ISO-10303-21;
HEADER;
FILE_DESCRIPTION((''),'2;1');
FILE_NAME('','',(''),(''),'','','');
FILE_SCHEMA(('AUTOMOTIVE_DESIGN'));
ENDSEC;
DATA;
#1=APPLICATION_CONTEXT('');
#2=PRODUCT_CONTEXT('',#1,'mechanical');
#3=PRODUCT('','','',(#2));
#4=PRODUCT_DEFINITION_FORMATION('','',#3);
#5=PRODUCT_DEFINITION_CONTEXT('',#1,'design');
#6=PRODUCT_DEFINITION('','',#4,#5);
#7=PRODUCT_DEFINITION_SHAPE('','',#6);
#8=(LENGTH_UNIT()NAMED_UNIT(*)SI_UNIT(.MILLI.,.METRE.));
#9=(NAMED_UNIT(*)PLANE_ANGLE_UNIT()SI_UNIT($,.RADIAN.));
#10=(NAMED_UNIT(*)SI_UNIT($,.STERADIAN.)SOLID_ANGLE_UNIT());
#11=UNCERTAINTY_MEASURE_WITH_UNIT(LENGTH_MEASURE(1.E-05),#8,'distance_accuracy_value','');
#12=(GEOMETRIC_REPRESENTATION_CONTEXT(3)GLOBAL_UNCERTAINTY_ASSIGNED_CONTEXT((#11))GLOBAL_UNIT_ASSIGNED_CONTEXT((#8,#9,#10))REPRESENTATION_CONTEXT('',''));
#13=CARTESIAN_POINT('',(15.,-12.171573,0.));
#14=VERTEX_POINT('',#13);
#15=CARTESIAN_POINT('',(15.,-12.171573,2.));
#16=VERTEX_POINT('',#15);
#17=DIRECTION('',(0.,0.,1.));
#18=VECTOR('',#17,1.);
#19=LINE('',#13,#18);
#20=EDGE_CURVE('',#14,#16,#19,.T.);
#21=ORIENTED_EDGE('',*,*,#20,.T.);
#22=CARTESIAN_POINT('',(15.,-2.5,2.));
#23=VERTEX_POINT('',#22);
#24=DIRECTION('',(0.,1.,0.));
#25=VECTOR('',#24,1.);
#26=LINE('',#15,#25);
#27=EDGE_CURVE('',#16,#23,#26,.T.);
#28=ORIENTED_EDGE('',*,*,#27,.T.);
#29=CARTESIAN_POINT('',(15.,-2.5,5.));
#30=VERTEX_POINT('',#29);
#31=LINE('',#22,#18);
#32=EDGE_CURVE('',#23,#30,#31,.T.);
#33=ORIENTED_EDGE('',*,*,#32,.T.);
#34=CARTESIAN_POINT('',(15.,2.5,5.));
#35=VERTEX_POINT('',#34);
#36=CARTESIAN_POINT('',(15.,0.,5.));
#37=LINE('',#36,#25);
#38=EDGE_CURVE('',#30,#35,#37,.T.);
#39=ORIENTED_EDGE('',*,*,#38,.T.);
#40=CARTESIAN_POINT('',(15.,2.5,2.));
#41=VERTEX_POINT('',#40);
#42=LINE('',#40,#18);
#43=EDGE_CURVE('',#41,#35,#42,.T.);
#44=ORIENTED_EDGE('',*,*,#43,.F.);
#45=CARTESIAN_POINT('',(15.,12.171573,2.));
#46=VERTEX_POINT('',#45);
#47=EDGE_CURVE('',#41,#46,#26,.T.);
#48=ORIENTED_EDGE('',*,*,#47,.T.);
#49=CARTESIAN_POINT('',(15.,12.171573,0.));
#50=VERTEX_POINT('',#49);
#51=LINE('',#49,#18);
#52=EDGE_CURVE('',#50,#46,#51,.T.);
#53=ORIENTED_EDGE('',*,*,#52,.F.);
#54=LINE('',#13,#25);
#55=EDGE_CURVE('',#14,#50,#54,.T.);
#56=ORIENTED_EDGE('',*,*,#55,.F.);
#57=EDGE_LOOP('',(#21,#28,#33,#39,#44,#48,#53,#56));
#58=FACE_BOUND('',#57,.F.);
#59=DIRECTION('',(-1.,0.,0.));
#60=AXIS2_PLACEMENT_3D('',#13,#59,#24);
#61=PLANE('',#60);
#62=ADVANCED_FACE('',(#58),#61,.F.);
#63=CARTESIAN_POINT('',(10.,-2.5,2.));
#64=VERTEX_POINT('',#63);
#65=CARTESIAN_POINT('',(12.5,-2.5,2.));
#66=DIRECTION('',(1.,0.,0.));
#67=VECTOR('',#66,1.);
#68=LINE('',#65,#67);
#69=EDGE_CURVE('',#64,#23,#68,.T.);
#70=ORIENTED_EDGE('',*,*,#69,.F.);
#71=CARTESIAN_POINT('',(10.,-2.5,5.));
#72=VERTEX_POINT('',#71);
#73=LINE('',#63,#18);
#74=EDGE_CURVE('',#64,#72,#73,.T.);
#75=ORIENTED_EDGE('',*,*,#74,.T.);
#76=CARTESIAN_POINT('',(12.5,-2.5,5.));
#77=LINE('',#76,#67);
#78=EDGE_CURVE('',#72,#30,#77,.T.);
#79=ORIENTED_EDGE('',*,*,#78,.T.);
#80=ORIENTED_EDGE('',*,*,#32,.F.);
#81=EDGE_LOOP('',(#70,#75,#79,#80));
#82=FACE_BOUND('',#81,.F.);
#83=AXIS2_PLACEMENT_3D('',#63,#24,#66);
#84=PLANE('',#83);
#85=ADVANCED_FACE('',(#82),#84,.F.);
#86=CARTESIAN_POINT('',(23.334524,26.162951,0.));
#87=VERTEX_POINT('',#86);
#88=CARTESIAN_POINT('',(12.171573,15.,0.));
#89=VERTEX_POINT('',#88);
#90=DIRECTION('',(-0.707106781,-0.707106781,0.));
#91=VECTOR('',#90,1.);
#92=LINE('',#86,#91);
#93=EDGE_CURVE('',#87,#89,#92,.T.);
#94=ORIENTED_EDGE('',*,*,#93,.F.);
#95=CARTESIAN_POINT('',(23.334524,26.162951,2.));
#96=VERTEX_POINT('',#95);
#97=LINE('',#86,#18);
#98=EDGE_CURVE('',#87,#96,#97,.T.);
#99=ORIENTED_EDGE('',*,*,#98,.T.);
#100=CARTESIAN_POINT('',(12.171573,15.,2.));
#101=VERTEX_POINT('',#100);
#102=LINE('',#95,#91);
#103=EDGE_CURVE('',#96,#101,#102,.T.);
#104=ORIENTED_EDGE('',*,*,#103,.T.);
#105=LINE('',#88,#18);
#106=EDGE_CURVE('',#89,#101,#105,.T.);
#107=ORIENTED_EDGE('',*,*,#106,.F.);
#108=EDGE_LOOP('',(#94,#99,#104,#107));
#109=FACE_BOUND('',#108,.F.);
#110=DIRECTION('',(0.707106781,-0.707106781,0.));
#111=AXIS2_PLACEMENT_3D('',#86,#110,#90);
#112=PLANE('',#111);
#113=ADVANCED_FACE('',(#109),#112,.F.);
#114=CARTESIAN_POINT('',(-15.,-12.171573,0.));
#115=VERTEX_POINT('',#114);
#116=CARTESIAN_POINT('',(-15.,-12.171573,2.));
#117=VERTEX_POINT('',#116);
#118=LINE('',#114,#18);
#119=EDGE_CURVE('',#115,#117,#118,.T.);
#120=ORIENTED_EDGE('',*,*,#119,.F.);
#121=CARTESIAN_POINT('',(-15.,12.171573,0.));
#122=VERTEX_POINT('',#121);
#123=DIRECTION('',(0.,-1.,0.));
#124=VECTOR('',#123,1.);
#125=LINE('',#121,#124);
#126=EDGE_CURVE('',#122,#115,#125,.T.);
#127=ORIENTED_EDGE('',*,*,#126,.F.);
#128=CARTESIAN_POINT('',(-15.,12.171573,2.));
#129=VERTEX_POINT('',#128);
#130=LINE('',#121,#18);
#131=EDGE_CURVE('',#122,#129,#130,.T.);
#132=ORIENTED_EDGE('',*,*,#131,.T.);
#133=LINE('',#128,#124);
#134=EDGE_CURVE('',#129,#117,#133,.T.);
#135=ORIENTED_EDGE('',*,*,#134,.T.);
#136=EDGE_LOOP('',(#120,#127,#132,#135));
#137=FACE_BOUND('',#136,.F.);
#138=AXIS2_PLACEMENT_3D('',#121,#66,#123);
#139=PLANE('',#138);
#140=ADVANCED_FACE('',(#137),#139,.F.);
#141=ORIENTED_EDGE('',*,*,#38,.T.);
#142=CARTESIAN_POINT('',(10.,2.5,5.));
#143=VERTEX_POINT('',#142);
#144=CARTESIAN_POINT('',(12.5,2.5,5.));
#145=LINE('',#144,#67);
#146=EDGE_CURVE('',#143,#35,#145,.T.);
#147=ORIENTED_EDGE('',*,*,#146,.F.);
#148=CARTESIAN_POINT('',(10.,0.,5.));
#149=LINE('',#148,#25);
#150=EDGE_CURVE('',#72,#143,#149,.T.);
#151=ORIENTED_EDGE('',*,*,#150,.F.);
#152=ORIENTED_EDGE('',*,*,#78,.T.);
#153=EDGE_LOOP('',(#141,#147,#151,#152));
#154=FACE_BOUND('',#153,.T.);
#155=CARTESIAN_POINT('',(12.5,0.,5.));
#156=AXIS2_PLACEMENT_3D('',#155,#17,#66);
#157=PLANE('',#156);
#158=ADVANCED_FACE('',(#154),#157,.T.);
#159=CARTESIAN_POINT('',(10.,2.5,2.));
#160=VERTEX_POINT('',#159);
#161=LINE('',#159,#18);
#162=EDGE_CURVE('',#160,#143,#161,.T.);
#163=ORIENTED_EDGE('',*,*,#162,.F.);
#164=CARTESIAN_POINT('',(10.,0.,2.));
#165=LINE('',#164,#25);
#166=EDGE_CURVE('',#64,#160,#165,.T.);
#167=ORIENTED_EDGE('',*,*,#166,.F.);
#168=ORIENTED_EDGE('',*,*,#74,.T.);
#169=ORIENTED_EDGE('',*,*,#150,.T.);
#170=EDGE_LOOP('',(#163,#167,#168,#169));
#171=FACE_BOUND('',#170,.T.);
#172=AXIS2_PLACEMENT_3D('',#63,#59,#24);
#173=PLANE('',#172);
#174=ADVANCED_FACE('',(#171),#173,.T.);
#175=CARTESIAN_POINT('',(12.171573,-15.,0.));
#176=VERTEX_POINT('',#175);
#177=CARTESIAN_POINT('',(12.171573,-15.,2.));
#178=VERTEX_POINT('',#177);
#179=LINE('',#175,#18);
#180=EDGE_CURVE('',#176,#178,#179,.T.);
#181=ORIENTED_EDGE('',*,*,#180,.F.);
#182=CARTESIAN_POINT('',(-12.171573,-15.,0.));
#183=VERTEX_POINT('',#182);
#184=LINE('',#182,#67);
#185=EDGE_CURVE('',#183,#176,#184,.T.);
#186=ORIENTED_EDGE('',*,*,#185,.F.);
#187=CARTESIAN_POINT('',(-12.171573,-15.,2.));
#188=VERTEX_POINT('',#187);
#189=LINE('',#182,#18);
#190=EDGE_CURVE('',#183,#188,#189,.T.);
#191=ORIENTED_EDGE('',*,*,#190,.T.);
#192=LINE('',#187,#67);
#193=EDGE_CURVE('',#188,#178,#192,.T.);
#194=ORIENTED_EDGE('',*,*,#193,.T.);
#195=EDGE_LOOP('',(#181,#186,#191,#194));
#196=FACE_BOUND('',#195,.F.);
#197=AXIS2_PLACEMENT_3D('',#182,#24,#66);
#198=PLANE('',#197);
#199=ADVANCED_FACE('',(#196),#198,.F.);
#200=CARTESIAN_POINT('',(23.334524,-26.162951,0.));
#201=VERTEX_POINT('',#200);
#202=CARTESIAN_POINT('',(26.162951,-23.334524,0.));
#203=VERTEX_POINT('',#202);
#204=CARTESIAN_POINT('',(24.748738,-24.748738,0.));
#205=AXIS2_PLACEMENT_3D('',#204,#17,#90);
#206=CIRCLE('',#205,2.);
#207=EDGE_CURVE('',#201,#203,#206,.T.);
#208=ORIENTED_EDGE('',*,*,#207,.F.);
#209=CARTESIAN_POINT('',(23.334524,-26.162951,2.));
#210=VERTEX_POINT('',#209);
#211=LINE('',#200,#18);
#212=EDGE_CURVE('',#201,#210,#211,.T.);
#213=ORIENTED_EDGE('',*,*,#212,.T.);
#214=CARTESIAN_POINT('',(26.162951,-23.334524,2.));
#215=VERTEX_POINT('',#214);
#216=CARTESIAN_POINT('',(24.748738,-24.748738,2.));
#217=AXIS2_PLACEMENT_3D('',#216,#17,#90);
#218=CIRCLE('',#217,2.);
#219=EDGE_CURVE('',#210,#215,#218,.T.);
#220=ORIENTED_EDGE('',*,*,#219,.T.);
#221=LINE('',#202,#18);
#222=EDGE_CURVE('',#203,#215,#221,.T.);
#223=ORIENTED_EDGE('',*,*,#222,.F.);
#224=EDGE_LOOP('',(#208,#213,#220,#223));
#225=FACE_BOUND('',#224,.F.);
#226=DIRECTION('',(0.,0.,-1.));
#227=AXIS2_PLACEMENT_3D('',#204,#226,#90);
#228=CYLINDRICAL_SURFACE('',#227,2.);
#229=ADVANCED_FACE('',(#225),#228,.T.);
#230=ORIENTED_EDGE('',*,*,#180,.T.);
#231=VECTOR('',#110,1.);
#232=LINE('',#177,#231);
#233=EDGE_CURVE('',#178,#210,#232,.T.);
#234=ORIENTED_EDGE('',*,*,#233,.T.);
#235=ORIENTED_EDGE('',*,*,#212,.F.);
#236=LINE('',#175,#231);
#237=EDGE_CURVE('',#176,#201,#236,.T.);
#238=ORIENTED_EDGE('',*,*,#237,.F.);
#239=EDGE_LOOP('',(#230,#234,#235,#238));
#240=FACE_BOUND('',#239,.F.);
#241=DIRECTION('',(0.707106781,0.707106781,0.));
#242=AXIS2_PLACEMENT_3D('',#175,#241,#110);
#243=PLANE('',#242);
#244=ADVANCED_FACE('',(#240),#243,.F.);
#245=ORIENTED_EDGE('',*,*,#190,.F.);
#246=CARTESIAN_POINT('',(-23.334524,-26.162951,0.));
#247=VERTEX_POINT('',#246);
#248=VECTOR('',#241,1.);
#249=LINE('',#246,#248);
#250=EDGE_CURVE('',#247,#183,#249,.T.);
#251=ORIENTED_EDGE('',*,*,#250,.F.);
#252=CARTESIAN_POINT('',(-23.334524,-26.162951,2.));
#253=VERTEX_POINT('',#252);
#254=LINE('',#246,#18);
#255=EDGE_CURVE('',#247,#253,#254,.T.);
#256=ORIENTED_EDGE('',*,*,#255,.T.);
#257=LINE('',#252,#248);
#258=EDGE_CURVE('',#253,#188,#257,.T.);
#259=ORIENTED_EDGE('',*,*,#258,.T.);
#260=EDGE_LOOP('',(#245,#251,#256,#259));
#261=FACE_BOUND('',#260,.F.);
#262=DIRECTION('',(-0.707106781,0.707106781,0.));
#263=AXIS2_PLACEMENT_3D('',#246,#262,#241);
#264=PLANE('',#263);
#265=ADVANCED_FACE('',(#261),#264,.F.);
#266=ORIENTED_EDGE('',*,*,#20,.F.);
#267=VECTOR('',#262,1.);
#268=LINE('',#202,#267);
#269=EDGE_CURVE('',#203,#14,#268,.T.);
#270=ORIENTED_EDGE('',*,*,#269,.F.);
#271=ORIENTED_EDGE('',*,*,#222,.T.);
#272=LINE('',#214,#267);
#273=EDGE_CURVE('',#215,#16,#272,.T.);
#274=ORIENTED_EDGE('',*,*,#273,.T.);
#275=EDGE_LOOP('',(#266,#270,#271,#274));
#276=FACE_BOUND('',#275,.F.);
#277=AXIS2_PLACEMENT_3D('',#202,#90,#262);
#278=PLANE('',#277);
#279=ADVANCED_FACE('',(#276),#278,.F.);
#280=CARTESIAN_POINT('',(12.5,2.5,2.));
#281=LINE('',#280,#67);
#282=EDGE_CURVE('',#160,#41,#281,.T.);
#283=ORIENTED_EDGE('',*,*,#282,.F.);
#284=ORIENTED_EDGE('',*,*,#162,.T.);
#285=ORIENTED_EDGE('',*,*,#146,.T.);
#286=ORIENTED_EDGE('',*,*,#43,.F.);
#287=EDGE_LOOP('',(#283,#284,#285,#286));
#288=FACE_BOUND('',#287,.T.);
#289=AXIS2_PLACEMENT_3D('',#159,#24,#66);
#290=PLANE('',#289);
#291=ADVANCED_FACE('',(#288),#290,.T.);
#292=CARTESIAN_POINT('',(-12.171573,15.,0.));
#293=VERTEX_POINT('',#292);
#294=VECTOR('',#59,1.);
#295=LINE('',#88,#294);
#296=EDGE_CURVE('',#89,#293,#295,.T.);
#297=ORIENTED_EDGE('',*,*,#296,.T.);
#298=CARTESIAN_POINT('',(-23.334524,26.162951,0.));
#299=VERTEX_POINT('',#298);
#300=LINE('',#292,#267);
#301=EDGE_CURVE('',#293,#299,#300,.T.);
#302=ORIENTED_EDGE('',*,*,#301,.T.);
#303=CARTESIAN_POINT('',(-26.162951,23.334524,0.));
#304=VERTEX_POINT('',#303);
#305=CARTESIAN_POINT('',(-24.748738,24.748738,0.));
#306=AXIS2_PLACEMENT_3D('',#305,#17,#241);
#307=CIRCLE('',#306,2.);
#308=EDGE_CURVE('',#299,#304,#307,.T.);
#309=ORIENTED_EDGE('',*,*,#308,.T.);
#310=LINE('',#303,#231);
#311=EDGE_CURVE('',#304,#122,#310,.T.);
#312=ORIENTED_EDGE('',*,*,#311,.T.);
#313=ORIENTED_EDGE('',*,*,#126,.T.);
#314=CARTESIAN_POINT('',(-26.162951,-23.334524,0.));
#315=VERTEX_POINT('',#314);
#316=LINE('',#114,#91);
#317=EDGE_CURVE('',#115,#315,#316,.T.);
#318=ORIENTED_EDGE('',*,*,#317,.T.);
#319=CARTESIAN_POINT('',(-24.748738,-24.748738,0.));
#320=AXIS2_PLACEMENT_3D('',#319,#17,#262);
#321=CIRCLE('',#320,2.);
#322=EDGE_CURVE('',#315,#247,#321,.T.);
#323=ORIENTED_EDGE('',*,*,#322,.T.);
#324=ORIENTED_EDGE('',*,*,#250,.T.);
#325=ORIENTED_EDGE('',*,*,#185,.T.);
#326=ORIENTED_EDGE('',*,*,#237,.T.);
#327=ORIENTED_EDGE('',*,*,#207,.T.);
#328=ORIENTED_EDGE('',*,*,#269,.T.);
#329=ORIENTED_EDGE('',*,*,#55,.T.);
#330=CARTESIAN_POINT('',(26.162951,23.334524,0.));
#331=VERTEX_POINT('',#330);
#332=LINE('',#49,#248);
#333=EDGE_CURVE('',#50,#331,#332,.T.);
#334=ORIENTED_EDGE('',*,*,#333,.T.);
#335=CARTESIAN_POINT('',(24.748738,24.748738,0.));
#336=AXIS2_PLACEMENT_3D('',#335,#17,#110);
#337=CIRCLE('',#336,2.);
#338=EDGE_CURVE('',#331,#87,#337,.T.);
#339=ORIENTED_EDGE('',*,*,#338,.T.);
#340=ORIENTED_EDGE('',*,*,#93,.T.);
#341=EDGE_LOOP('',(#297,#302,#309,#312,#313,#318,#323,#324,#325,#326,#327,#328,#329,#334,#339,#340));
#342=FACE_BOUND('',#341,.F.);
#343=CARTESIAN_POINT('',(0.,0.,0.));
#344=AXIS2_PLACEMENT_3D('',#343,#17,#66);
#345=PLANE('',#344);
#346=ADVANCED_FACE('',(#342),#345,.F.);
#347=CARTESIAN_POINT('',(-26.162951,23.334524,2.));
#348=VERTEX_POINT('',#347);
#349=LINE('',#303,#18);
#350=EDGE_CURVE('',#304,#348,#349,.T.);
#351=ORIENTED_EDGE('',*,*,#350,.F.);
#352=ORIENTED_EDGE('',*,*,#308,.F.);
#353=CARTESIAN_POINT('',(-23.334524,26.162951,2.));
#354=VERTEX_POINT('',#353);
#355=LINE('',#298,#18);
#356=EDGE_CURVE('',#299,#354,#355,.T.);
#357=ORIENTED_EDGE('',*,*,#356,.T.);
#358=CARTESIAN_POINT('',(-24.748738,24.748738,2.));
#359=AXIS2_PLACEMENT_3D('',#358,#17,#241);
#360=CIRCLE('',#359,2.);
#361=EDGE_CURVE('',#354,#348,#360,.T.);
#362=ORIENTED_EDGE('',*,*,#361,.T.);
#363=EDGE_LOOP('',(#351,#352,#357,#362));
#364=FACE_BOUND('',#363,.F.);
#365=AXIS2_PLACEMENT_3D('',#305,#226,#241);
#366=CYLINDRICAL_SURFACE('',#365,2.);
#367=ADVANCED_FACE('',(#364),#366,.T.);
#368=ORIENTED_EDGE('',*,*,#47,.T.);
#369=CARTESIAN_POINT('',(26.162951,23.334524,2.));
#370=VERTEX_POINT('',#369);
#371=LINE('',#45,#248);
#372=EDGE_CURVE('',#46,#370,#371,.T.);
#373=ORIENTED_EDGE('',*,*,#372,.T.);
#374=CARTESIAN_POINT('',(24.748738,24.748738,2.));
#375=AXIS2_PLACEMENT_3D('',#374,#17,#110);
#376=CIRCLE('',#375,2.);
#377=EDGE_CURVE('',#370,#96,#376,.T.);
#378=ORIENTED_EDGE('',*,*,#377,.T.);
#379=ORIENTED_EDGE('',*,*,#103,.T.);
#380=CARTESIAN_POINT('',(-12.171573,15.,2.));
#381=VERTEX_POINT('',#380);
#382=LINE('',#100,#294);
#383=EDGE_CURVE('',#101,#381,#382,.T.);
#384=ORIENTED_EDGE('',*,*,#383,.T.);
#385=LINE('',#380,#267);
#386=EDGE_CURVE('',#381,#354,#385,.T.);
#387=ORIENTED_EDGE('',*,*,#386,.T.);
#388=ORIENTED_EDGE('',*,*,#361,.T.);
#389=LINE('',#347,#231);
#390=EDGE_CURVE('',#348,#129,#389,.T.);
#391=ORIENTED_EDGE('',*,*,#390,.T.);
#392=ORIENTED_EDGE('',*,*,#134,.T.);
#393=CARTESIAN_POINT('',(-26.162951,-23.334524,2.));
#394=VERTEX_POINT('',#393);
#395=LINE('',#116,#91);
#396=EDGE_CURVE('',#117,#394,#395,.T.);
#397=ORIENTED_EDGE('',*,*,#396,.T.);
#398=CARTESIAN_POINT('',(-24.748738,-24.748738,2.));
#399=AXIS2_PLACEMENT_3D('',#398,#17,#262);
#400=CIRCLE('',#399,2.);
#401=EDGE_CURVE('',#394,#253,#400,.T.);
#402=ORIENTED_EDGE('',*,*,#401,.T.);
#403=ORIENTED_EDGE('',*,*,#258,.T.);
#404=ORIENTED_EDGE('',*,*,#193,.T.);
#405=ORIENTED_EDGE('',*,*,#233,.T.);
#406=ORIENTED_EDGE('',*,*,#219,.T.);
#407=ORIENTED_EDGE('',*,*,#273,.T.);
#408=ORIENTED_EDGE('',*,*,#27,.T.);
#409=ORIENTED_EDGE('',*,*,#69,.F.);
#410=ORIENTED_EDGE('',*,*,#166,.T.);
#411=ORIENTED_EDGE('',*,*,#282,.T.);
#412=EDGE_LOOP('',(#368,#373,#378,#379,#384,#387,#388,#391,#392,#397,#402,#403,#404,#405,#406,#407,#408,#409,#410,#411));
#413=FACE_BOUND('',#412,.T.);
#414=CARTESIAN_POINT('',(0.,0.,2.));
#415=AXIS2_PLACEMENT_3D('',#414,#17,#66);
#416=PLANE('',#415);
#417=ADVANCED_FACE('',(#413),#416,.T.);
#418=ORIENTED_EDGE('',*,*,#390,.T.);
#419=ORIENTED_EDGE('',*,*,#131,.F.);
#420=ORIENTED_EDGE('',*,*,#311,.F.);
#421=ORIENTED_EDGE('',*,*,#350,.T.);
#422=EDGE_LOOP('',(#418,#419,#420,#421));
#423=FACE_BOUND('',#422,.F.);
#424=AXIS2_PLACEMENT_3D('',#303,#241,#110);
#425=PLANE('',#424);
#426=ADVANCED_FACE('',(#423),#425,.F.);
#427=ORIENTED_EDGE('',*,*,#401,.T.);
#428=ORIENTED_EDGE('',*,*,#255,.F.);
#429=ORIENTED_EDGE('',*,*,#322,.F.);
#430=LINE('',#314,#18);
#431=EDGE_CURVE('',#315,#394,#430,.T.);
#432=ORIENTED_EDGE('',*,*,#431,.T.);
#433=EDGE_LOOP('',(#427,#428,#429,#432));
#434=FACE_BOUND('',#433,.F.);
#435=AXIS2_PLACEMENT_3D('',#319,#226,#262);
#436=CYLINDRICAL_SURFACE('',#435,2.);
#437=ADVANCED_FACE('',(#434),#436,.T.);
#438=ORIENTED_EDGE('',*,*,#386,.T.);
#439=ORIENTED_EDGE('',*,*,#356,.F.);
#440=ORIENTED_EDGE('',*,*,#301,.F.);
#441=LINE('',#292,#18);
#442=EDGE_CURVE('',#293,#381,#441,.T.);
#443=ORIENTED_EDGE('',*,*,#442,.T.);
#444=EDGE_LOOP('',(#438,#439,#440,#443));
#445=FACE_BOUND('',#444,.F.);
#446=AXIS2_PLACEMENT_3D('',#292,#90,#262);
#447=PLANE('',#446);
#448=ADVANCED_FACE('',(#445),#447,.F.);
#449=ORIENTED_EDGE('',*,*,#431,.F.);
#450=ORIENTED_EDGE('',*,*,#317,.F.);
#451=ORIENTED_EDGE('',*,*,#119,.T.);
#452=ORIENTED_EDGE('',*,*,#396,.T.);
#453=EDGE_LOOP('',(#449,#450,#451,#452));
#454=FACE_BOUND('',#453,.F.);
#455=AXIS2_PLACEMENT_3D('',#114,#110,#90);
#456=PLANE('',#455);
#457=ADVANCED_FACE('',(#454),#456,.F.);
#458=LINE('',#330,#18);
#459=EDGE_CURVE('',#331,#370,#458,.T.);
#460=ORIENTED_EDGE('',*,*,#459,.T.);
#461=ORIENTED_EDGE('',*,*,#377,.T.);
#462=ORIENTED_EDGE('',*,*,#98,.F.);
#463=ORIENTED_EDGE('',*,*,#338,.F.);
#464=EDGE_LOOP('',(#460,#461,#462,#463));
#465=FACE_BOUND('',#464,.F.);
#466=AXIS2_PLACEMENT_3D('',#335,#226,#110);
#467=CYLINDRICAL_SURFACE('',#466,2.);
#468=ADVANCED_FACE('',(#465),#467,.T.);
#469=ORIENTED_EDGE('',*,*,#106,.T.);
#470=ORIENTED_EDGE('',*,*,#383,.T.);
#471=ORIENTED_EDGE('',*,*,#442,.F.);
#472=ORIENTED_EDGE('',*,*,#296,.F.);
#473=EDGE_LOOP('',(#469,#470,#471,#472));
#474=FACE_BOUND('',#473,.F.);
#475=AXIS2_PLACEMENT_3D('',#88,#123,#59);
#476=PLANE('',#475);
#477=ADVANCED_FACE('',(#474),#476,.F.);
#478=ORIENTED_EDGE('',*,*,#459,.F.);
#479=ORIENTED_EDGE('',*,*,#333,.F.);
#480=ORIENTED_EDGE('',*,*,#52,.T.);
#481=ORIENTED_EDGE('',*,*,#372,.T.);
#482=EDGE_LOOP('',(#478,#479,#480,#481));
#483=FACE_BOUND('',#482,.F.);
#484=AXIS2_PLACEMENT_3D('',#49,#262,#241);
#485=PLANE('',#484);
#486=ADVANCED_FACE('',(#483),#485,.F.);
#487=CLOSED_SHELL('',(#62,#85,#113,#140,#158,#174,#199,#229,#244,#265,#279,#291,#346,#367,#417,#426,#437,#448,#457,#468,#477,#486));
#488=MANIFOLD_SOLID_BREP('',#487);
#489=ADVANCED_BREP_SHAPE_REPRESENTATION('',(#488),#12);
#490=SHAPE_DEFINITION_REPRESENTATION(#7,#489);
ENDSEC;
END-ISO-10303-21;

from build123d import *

# Parameters (mm, degrees)
F1_DEPTH = 2
F2_W     = 5
F2_H     = 5
F3_DEPTH = 3


with BuildPart() as f1:
    # F0 (on Top) → F1 (new body)
    with BuildSketch(Plane.XY):
        with BuildLine():
            Line((12.171573, 15), (-12.171573, 15))
            Line((-12.171573, 15), (-23.334524, 26.162951))
            ThreePointArc((-23.334524, 26.162951), (-26.162951, 26.162951), (-26.162951, 23.334524))
            Line((-26.162951, 23.334524), (-15, 12.171573))
            Line((-15, 12.171573), (-15, -12.171573))
            Line((-15, -12.171573), (-26.162951, -23.334524))
            ThreePointArc((-26.162951, -23.334524), (-26.162951, -26.162951), (-23.334524, -26.162951))
            Line((-23.334524, -26.162951), (-12.171573, -15))
            Line((-12.171573, -15), (12.171573, -15))
            Line((12.171573, -15), (23.334524, -26.162951))
            ThreePointArc((23.334524, -26.162951), (26.162951, -26.162951), (26.162951, -23.334524))
            Line((26.162951, -23.334524), (15, -12.171573))
            Line((15, -12.171573), (15, 12.171573))
            Line((15, 12.171573), (26.162951, 23.334524))
            ThreePointArc((26.162951, 23.334524), (26.162951, 26.162951), (23.334524, 26.162951))
            Line((23.334524, 26.162951), (12.171573, 15))
        make_face()
    extrude(amount=F1_DEPTH)

    # F2 (on face) → F3 (join)
    with BuildSketch(Plane.XY.offset(2)):
        with Locations((12.5, 0)):
            Rectangle(F2_W, F2_H)
    extrude(amount=F3_DEPTH)


solid = f1.part
